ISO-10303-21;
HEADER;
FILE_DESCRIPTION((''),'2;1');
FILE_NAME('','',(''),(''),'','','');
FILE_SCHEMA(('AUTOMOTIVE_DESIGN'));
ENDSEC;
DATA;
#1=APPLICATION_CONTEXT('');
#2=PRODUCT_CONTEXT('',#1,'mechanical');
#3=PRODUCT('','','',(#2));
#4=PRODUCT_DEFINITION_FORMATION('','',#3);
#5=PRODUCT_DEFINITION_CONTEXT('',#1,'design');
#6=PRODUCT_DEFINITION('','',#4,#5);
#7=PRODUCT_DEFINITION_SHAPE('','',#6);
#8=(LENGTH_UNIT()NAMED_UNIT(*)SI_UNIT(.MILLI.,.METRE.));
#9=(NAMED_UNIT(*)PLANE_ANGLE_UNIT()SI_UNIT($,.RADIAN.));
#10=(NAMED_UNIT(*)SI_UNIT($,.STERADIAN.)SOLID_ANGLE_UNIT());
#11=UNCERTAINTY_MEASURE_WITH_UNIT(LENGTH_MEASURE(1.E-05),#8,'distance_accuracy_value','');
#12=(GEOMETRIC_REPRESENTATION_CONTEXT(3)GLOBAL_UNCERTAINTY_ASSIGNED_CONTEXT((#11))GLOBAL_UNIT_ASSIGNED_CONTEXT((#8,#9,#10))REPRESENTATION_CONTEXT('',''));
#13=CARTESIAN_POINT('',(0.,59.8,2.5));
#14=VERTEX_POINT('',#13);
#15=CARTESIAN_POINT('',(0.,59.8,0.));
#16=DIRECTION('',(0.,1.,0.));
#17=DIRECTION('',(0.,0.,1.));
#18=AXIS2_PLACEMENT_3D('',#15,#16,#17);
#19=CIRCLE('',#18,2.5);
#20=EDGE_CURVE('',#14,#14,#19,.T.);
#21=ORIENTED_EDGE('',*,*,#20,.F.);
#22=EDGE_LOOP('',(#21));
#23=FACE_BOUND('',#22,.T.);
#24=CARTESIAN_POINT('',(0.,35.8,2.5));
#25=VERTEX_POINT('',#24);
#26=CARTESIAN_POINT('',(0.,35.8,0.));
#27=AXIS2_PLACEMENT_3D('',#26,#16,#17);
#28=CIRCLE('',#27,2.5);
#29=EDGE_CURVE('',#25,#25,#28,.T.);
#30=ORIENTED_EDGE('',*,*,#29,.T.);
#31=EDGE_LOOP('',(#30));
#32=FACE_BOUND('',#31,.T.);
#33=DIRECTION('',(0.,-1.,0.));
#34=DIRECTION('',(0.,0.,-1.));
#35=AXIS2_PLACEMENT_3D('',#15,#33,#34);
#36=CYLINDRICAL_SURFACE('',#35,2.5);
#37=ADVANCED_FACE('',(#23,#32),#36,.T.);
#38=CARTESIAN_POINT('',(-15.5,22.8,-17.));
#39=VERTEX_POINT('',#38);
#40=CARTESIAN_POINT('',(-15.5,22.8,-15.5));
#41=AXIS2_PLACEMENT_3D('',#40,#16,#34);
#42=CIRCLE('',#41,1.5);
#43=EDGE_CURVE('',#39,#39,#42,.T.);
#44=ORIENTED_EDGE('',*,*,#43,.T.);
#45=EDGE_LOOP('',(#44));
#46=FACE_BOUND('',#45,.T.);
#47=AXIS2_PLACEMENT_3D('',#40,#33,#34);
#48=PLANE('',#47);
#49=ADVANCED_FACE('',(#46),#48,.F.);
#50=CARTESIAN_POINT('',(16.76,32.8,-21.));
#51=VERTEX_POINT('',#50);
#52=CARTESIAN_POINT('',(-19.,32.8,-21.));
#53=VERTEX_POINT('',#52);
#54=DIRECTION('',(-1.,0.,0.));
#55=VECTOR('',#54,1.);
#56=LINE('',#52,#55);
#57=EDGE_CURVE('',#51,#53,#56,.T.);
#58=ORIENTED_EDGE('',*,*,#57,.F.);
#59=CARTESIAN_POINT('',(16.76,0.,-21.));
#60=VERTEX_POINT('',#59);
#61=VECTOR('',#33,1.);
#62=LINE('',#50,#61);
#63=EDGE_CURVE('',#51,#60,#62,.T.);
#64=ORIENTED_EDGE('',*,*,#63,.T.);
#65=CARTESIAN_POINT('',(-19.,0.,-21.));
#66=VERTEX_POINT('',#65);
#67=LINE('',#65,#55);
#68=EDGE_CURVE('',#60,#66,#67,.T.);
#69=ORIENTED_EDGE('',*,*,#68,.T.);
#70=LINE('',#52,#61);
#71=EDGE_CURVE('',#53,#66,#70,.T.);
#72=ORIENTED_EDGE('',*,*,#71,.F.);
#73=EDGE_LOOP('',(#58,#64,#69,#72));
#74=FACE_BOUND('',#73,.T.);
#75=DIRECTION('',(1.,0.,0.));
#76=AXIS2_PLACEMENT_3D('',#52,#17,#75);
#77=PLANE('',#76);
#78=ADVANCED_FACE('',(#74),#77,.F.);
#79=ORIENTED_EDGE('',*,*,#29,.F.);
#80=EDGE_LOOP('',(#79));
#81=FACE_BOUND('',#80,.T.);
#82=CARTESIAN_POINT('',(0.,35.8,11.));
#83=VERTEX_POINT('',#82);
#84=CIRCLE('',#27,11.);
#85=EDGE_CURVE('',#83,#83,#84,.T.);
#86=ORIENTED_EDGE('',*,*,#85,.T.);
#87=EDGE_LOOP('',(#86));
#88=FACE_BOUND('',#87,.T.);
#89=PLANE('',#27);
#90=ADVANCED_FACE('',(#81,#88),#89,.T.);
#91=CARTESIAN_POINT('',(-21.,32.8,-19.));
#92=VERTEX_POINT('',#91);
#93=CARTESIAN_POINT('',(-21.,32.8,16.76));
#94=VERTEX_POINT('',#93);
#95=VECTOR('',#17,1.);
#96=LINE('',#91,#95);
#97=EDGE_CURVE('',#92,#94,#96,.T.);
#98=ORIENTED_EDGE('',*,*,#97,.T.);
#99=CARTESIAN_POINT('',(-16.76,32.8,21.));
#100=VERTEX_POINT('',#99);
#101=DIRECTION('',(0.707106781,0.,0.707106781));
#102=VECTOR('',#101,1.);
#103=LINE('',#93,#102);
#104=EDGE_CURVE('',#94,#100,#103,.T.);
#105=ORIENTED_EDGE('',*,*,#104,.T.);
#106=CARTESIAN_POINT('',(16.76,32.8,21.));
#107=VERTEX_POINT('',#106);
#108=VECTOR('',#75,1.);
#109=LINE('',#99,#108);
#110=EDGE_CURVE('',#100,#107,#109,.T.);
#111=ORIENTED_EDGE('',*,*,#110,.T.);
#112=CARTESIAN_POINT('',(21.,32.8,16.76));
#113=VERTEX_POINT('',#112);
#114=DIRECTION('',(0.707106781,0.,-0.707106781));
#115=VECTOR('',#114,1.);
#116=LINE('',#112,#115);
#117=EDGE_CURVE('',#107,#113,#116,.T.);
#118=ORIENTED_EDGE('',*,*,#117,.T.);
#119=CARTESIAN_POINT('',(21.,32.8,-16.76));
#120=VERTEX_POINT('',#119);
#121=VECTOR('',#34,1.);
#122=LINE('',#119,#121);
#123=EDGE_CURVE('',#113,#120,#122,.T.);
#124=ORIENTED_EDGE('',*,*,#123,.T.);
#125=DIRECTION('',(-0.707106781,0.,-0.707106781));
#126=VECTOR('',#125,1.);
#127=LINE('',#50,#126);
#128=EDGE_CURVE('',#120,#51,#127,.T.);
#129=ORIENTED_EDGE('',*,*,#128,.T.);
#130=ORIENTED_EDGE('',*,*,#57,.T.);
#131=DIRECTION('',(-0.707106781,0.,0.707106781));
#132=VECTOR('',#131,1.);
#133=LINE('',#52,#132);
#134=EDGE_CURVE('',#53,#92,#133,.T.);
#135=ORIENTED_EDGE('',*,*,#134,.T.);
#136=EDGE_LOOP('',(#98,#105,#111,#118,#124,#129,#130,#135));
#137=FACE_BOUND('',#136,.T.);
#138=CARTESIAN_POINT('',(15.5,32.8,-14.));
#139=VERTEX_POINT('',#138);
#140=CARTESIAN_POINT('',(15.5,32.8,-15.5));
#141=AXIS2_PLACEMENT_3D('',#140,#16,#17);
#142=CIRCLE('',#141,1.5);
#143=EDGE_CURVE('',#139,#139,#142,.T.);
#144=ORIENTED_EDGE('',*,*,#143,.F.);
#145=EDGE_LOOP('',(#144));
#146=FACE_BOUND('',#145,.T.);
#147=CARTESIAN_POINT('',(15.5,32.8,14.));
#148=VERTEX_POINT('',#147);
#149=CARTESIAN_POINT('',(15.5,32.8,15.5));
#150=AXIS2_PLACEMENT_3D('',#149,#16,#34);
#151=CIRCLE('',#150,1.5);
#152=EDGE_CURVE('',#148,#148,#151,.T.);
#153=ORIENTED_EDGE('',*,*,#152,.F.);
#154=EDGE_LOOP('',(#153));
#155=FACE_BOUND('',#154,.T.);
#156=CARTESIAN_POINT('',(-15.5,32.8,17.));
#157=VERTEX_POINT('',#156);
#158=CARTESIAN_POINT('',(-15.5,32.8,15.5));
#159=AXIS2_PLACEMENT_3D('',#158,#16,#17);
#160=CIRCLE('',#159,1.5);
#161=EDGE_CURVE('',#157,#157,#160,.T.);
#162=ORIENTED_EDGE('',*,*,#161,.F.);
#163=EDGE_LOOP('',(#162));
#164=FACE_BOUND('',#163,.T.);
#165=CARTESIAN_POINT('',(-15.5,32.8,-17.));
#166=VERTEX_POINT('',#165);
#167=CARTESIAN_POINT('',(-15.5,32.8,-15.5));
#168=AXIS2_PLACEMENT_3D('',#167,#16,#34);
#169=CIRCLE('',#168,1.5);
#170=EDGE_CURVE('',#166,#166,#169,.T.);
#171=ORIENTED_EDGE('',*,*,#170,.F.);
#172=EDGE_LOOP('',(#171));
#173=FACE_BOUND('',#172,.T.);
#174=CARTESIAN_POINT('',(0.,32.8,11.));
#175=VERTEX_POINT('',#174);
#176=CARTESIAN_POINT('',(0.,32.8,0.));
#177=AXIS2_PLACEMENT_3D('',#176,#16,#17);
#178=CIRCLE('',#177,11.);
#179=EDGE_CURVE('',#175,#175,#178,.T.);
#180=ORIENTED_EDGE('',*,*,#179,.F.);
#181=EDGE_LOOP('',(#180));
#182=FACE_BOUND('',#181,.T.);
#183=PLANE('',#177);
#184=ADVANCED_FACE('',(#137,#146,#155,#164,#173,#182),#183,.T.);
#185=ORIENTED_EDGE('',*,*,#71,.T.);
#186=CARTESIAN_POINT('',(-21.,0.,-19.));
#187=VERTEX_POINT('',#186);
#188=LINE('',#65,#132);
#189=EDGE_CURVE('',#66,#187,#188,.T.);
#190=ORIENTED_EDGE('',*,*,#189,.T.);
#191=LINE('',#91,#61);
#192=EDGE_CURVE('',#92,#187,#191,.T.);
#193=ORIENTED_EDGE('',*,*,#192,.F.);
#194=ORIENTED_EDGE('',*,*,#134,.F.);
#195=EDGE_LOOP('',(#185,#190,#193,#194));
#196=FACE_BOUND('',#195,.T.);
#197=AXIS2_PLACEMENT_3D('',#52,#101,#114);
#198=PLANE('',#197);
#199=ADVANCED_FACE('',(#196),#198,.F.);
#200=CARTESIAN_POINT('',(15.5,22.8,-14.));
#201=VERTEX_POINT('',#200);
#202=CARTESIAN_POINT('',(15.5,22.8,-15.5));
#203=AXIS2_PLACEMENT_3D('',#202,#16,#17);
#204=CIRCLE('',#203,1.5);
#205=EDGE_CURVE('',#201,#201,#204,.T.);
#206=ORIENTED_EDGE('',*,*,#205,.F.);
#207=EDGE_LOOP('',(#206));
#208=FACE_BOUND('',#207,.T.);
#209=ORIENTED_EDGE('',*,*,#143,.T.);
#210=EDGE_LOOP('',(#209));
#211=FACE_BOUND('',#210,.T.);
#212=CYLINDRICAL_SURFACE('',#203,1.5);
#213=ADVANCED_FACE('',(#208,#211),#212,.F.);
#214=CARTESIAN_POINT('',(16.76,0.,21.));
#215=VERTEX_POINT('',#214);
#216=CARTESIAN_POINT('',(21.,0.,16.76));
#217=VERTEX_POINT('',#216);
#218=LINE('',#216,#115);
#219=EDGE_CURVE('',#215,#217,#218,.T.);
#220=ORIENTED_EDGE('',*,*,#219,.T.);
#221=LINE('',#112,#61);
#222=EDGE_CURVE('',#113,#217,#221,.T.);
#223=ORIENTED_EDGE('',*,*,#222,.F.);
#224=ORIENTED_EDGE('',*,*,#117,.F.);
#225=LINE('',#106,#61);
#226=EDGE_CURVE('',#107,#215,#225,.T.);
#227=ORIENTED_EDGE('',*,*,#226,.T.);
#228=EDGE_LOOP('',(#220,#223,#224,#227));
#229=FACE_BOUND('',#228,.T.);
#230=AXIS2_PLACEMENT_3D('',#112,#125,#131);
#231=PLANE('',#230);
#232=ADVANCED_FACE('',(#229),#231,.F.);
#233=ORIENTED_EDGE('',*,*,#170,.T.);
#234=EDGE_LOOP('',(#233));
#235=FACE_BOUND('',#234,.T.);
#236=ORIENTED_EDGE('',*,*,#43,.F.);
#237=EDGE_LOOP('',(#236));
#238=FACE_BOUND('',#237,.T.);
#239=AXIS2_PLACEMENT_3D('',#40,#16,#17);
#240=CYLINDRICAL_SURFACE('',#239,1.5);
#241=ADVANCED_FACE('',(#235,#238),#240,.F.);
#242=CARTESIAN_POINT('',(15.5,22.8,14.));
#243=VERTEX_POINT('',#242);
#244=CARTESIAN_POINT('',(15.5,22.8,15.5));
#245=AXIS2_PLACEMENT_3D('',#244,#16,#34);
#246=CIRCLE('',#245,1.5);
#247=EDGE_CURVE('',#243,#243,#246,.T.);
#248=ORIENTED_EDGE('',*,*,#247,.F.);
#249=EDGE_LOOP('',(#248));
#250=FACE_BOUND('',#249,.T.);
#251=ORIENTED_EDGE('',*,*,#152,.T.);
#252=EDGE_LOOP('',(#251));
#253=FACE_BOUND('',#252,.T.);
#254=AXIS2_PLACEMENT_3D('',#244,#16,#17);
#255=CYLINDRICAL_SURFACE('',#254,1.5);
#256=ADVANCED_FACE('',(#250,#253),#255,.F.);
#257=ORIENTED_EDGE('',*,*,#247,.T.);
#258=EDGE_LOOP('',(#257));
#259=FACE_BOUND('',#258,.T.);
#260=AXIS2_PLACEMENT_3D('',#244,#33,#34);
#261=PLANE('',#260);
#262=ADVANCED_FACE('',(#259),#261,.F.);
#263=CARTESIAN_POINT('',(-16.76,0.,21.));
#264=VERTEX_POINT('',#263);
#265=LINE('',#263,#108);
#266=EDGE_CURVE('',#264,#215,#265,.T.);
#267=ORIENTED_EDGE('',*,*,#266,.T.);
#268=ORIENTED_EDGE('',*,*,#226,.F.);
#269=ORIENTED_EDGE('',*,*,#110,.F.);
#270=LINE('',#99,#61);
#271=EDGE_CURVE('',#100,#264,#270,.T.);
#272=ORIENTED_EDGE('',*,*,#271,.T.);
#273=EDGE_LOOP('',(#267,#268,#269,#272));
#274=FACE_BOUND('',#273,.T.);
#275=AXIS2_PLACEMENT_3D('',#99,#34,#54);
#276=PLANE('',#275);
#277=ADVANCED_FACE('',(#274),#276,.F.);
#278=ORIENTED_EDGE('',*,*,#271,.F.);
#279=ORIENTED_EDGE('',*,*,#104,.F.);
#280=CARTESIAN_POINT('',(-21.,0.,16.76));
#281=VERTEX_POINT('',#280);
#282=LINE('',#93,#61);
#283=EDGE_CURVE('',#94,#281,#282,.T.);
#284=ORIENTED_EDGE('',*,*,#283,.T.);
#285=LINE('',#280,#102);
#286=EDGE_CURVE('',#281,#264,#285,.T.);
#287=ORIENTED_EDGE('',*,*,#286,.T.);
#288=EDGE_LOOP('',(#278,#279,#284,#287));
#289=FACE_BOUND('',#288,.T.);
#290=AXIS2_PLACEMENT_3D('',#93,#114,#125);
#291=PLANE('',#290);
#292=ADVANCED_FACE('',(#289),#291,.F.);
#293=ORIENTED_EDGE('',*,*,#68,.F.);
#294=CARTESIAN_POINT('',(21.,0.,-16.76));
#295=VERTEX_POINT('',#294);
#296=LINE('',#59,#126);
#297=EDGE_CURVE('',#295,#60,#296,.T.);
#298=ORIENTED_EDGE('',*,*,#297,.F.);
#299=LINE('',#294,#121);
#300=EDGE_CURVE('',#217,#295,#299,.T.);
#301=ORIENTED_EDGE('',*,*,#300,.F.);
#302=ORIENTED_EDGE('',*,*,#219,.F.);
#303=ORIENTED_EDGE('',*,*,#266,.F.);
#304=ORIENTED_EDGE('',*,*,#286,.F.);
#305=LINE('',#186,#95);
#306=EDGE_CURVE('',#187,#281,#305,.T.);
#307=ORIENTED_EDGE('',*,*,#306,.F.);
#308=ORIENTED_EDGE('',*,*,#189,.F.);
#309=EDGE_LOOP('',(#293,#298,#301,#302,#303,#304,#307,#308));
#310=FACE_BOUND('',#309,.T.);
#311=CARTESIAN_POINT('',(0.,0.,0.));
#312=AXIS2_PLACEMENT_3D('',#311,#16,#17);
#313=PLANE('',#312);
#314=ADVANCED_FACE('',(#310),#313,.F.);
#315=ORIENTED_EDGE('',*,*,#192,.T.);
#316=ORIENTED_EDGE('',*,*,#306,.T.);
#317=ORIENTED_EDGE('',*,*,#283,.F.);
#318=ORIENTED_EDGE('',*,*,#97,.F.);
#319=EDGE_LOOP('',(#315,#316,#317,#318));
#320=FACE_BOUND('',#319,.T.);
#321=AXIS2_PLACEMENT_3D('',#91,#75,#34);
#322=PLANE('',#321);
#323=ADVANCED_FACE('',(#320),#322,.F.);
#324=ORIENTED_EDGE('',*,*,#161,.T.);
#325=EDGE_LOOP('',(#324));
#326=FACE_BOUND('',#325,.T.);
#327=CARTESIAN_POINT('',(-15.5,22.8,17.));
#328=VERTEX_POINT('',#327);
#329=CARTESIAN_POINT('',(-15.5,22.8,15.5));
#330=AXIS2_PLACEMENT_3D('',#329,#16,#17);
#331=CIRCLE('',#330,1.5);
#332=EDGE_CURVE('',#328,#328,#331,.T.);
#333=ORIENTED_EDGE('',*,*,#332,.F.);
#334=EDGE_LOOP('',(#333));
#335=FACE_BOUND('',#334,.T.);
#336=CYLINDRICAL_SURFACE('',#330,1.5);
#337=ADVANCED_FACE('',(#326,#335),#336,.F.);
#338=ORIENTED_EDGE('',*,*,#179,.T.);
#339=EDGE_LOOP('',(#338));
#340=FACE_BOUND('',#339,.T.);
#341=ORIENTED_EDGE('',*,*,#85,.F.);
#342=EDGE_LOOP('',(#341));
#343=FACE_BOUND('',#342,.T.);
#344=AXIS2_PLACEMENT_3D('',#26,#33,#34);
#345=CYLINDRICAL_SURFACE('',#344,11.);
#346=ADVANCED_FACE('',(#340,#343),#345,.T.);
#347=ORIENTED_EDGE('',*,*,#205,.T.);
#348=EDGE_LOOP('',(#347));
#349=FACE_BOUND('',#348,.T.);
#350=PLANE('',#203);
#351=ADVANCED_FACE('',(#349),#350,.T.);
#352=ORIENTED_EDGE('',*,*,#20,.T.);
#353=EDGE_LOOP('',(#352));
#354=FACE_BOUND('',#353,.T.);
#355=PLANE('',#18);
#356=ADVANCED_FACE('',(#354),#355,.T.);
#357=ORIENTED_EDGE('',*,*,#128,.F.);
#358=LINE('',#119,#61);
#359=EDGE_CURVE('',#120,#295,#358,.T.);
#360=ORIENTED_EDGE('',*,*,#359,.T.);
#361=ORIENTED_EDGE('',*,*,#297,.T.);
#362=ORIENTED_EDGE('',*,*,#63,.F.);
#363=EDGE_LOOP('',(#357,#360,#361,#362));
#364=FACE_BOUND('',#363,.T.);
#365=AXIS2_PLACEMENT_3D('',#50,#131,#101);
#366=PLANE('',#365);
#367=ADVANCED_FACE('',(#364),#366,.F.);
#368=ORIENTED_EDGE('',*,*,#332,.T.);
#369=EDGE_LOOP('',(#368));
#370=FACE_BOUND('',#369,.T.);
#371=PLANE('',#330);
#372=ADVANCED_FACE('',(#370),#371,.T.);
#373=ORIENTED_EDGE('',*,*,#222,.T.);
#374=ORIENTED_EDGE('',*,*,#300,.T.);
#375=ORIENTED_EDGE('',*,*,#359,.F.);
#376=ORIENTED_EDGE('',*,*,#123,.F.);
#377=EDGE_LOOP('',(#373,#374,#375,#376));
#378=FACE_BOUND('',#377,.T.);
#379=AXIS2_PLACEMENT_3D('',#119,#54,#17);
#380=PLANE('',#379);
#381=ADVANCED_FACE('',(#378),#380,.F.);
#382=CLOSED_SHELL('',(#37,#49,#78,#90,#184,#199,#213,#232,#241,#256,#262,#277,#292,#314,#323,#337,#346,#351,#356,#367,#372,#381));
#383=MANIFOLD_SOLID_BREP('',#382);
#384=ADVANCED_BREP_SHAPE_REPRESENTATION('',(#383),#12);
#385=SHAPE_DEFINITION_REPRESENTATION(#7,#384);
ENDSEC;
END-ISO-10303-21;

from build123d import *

# Parameters (mm, degrees)
BOSS_EXTRUDE1_DEPTH = 32.8
SKETCH2_R           = 1.5
CUT_EXTRUDE1_DEPTH  = 10
SKETCH3_R           = 11
BOSS_EXTRUDE2_DEPTH = 3
SKETCH4_R           = 2.5
BOSS_EXTRUDE3_DEPTH = 24


with BuildPart() as part:
    # Sketch1 → Boss-Extrude1 (new body)
    with BuildSketch(Plane(origin=(0, 0, 0), x_dir=(1, 0, 0), z_dir=(0, 1, 0))):
        Polygon((-19, 21), (-21, 19), (-21, -16.76), (-16.76, -21), (16.76, -21), (21, -16.76), (21, 16.76), (16.76, 21), align=None)
    extrude(amount=BOSS_EXTRUDE1_DEPTH)

    # Sketch2 → Cut-Extrude1 (cut)
    with BuildSketch(Plane(origin=(0, 32.8, 0), x_dir=(1, 0, 0), z_dir=(0, 1, 0))):
        with Locations((15.5, 15.5)):
            Circle(SKETCH2_R)
        with Locations((15.5, -15.5)):
            Circle(SKETCH2_R)
        with Locations((-15.5, -15.5)):
            Circle(SKETCH2_R)
        with Locations((-15.5, 15.5)):
            Circle(SKETCH2_R)
    extrude(amount=-CUT_EXTRUDE1_DEPTH, mode=Mode.SUBTRACT)

    # Sketch3 → Boss-Extrude2 (add)
    with BuildSketch(Plane(origin=(0, 32.8, 0), x_dir=(1, 0, 0), z_dir=(0, 1, 0))):
        Circle(SKETCH3_R)
    extrude(amount=BOSS_EXTRUDE2_DEPTH)

    # Sketch4 → Boss-Extrude3 (add)
    with BuildSketch(Plane(origin=(0, 35.8, 0), x_dir=(1, 0, 0), z_dir=(0, 1, 0))):
        Circle(SKETCH4_R)
    extrude(amount=BOSS_EXTRUDE3_DEPTH)


solid = part.part
